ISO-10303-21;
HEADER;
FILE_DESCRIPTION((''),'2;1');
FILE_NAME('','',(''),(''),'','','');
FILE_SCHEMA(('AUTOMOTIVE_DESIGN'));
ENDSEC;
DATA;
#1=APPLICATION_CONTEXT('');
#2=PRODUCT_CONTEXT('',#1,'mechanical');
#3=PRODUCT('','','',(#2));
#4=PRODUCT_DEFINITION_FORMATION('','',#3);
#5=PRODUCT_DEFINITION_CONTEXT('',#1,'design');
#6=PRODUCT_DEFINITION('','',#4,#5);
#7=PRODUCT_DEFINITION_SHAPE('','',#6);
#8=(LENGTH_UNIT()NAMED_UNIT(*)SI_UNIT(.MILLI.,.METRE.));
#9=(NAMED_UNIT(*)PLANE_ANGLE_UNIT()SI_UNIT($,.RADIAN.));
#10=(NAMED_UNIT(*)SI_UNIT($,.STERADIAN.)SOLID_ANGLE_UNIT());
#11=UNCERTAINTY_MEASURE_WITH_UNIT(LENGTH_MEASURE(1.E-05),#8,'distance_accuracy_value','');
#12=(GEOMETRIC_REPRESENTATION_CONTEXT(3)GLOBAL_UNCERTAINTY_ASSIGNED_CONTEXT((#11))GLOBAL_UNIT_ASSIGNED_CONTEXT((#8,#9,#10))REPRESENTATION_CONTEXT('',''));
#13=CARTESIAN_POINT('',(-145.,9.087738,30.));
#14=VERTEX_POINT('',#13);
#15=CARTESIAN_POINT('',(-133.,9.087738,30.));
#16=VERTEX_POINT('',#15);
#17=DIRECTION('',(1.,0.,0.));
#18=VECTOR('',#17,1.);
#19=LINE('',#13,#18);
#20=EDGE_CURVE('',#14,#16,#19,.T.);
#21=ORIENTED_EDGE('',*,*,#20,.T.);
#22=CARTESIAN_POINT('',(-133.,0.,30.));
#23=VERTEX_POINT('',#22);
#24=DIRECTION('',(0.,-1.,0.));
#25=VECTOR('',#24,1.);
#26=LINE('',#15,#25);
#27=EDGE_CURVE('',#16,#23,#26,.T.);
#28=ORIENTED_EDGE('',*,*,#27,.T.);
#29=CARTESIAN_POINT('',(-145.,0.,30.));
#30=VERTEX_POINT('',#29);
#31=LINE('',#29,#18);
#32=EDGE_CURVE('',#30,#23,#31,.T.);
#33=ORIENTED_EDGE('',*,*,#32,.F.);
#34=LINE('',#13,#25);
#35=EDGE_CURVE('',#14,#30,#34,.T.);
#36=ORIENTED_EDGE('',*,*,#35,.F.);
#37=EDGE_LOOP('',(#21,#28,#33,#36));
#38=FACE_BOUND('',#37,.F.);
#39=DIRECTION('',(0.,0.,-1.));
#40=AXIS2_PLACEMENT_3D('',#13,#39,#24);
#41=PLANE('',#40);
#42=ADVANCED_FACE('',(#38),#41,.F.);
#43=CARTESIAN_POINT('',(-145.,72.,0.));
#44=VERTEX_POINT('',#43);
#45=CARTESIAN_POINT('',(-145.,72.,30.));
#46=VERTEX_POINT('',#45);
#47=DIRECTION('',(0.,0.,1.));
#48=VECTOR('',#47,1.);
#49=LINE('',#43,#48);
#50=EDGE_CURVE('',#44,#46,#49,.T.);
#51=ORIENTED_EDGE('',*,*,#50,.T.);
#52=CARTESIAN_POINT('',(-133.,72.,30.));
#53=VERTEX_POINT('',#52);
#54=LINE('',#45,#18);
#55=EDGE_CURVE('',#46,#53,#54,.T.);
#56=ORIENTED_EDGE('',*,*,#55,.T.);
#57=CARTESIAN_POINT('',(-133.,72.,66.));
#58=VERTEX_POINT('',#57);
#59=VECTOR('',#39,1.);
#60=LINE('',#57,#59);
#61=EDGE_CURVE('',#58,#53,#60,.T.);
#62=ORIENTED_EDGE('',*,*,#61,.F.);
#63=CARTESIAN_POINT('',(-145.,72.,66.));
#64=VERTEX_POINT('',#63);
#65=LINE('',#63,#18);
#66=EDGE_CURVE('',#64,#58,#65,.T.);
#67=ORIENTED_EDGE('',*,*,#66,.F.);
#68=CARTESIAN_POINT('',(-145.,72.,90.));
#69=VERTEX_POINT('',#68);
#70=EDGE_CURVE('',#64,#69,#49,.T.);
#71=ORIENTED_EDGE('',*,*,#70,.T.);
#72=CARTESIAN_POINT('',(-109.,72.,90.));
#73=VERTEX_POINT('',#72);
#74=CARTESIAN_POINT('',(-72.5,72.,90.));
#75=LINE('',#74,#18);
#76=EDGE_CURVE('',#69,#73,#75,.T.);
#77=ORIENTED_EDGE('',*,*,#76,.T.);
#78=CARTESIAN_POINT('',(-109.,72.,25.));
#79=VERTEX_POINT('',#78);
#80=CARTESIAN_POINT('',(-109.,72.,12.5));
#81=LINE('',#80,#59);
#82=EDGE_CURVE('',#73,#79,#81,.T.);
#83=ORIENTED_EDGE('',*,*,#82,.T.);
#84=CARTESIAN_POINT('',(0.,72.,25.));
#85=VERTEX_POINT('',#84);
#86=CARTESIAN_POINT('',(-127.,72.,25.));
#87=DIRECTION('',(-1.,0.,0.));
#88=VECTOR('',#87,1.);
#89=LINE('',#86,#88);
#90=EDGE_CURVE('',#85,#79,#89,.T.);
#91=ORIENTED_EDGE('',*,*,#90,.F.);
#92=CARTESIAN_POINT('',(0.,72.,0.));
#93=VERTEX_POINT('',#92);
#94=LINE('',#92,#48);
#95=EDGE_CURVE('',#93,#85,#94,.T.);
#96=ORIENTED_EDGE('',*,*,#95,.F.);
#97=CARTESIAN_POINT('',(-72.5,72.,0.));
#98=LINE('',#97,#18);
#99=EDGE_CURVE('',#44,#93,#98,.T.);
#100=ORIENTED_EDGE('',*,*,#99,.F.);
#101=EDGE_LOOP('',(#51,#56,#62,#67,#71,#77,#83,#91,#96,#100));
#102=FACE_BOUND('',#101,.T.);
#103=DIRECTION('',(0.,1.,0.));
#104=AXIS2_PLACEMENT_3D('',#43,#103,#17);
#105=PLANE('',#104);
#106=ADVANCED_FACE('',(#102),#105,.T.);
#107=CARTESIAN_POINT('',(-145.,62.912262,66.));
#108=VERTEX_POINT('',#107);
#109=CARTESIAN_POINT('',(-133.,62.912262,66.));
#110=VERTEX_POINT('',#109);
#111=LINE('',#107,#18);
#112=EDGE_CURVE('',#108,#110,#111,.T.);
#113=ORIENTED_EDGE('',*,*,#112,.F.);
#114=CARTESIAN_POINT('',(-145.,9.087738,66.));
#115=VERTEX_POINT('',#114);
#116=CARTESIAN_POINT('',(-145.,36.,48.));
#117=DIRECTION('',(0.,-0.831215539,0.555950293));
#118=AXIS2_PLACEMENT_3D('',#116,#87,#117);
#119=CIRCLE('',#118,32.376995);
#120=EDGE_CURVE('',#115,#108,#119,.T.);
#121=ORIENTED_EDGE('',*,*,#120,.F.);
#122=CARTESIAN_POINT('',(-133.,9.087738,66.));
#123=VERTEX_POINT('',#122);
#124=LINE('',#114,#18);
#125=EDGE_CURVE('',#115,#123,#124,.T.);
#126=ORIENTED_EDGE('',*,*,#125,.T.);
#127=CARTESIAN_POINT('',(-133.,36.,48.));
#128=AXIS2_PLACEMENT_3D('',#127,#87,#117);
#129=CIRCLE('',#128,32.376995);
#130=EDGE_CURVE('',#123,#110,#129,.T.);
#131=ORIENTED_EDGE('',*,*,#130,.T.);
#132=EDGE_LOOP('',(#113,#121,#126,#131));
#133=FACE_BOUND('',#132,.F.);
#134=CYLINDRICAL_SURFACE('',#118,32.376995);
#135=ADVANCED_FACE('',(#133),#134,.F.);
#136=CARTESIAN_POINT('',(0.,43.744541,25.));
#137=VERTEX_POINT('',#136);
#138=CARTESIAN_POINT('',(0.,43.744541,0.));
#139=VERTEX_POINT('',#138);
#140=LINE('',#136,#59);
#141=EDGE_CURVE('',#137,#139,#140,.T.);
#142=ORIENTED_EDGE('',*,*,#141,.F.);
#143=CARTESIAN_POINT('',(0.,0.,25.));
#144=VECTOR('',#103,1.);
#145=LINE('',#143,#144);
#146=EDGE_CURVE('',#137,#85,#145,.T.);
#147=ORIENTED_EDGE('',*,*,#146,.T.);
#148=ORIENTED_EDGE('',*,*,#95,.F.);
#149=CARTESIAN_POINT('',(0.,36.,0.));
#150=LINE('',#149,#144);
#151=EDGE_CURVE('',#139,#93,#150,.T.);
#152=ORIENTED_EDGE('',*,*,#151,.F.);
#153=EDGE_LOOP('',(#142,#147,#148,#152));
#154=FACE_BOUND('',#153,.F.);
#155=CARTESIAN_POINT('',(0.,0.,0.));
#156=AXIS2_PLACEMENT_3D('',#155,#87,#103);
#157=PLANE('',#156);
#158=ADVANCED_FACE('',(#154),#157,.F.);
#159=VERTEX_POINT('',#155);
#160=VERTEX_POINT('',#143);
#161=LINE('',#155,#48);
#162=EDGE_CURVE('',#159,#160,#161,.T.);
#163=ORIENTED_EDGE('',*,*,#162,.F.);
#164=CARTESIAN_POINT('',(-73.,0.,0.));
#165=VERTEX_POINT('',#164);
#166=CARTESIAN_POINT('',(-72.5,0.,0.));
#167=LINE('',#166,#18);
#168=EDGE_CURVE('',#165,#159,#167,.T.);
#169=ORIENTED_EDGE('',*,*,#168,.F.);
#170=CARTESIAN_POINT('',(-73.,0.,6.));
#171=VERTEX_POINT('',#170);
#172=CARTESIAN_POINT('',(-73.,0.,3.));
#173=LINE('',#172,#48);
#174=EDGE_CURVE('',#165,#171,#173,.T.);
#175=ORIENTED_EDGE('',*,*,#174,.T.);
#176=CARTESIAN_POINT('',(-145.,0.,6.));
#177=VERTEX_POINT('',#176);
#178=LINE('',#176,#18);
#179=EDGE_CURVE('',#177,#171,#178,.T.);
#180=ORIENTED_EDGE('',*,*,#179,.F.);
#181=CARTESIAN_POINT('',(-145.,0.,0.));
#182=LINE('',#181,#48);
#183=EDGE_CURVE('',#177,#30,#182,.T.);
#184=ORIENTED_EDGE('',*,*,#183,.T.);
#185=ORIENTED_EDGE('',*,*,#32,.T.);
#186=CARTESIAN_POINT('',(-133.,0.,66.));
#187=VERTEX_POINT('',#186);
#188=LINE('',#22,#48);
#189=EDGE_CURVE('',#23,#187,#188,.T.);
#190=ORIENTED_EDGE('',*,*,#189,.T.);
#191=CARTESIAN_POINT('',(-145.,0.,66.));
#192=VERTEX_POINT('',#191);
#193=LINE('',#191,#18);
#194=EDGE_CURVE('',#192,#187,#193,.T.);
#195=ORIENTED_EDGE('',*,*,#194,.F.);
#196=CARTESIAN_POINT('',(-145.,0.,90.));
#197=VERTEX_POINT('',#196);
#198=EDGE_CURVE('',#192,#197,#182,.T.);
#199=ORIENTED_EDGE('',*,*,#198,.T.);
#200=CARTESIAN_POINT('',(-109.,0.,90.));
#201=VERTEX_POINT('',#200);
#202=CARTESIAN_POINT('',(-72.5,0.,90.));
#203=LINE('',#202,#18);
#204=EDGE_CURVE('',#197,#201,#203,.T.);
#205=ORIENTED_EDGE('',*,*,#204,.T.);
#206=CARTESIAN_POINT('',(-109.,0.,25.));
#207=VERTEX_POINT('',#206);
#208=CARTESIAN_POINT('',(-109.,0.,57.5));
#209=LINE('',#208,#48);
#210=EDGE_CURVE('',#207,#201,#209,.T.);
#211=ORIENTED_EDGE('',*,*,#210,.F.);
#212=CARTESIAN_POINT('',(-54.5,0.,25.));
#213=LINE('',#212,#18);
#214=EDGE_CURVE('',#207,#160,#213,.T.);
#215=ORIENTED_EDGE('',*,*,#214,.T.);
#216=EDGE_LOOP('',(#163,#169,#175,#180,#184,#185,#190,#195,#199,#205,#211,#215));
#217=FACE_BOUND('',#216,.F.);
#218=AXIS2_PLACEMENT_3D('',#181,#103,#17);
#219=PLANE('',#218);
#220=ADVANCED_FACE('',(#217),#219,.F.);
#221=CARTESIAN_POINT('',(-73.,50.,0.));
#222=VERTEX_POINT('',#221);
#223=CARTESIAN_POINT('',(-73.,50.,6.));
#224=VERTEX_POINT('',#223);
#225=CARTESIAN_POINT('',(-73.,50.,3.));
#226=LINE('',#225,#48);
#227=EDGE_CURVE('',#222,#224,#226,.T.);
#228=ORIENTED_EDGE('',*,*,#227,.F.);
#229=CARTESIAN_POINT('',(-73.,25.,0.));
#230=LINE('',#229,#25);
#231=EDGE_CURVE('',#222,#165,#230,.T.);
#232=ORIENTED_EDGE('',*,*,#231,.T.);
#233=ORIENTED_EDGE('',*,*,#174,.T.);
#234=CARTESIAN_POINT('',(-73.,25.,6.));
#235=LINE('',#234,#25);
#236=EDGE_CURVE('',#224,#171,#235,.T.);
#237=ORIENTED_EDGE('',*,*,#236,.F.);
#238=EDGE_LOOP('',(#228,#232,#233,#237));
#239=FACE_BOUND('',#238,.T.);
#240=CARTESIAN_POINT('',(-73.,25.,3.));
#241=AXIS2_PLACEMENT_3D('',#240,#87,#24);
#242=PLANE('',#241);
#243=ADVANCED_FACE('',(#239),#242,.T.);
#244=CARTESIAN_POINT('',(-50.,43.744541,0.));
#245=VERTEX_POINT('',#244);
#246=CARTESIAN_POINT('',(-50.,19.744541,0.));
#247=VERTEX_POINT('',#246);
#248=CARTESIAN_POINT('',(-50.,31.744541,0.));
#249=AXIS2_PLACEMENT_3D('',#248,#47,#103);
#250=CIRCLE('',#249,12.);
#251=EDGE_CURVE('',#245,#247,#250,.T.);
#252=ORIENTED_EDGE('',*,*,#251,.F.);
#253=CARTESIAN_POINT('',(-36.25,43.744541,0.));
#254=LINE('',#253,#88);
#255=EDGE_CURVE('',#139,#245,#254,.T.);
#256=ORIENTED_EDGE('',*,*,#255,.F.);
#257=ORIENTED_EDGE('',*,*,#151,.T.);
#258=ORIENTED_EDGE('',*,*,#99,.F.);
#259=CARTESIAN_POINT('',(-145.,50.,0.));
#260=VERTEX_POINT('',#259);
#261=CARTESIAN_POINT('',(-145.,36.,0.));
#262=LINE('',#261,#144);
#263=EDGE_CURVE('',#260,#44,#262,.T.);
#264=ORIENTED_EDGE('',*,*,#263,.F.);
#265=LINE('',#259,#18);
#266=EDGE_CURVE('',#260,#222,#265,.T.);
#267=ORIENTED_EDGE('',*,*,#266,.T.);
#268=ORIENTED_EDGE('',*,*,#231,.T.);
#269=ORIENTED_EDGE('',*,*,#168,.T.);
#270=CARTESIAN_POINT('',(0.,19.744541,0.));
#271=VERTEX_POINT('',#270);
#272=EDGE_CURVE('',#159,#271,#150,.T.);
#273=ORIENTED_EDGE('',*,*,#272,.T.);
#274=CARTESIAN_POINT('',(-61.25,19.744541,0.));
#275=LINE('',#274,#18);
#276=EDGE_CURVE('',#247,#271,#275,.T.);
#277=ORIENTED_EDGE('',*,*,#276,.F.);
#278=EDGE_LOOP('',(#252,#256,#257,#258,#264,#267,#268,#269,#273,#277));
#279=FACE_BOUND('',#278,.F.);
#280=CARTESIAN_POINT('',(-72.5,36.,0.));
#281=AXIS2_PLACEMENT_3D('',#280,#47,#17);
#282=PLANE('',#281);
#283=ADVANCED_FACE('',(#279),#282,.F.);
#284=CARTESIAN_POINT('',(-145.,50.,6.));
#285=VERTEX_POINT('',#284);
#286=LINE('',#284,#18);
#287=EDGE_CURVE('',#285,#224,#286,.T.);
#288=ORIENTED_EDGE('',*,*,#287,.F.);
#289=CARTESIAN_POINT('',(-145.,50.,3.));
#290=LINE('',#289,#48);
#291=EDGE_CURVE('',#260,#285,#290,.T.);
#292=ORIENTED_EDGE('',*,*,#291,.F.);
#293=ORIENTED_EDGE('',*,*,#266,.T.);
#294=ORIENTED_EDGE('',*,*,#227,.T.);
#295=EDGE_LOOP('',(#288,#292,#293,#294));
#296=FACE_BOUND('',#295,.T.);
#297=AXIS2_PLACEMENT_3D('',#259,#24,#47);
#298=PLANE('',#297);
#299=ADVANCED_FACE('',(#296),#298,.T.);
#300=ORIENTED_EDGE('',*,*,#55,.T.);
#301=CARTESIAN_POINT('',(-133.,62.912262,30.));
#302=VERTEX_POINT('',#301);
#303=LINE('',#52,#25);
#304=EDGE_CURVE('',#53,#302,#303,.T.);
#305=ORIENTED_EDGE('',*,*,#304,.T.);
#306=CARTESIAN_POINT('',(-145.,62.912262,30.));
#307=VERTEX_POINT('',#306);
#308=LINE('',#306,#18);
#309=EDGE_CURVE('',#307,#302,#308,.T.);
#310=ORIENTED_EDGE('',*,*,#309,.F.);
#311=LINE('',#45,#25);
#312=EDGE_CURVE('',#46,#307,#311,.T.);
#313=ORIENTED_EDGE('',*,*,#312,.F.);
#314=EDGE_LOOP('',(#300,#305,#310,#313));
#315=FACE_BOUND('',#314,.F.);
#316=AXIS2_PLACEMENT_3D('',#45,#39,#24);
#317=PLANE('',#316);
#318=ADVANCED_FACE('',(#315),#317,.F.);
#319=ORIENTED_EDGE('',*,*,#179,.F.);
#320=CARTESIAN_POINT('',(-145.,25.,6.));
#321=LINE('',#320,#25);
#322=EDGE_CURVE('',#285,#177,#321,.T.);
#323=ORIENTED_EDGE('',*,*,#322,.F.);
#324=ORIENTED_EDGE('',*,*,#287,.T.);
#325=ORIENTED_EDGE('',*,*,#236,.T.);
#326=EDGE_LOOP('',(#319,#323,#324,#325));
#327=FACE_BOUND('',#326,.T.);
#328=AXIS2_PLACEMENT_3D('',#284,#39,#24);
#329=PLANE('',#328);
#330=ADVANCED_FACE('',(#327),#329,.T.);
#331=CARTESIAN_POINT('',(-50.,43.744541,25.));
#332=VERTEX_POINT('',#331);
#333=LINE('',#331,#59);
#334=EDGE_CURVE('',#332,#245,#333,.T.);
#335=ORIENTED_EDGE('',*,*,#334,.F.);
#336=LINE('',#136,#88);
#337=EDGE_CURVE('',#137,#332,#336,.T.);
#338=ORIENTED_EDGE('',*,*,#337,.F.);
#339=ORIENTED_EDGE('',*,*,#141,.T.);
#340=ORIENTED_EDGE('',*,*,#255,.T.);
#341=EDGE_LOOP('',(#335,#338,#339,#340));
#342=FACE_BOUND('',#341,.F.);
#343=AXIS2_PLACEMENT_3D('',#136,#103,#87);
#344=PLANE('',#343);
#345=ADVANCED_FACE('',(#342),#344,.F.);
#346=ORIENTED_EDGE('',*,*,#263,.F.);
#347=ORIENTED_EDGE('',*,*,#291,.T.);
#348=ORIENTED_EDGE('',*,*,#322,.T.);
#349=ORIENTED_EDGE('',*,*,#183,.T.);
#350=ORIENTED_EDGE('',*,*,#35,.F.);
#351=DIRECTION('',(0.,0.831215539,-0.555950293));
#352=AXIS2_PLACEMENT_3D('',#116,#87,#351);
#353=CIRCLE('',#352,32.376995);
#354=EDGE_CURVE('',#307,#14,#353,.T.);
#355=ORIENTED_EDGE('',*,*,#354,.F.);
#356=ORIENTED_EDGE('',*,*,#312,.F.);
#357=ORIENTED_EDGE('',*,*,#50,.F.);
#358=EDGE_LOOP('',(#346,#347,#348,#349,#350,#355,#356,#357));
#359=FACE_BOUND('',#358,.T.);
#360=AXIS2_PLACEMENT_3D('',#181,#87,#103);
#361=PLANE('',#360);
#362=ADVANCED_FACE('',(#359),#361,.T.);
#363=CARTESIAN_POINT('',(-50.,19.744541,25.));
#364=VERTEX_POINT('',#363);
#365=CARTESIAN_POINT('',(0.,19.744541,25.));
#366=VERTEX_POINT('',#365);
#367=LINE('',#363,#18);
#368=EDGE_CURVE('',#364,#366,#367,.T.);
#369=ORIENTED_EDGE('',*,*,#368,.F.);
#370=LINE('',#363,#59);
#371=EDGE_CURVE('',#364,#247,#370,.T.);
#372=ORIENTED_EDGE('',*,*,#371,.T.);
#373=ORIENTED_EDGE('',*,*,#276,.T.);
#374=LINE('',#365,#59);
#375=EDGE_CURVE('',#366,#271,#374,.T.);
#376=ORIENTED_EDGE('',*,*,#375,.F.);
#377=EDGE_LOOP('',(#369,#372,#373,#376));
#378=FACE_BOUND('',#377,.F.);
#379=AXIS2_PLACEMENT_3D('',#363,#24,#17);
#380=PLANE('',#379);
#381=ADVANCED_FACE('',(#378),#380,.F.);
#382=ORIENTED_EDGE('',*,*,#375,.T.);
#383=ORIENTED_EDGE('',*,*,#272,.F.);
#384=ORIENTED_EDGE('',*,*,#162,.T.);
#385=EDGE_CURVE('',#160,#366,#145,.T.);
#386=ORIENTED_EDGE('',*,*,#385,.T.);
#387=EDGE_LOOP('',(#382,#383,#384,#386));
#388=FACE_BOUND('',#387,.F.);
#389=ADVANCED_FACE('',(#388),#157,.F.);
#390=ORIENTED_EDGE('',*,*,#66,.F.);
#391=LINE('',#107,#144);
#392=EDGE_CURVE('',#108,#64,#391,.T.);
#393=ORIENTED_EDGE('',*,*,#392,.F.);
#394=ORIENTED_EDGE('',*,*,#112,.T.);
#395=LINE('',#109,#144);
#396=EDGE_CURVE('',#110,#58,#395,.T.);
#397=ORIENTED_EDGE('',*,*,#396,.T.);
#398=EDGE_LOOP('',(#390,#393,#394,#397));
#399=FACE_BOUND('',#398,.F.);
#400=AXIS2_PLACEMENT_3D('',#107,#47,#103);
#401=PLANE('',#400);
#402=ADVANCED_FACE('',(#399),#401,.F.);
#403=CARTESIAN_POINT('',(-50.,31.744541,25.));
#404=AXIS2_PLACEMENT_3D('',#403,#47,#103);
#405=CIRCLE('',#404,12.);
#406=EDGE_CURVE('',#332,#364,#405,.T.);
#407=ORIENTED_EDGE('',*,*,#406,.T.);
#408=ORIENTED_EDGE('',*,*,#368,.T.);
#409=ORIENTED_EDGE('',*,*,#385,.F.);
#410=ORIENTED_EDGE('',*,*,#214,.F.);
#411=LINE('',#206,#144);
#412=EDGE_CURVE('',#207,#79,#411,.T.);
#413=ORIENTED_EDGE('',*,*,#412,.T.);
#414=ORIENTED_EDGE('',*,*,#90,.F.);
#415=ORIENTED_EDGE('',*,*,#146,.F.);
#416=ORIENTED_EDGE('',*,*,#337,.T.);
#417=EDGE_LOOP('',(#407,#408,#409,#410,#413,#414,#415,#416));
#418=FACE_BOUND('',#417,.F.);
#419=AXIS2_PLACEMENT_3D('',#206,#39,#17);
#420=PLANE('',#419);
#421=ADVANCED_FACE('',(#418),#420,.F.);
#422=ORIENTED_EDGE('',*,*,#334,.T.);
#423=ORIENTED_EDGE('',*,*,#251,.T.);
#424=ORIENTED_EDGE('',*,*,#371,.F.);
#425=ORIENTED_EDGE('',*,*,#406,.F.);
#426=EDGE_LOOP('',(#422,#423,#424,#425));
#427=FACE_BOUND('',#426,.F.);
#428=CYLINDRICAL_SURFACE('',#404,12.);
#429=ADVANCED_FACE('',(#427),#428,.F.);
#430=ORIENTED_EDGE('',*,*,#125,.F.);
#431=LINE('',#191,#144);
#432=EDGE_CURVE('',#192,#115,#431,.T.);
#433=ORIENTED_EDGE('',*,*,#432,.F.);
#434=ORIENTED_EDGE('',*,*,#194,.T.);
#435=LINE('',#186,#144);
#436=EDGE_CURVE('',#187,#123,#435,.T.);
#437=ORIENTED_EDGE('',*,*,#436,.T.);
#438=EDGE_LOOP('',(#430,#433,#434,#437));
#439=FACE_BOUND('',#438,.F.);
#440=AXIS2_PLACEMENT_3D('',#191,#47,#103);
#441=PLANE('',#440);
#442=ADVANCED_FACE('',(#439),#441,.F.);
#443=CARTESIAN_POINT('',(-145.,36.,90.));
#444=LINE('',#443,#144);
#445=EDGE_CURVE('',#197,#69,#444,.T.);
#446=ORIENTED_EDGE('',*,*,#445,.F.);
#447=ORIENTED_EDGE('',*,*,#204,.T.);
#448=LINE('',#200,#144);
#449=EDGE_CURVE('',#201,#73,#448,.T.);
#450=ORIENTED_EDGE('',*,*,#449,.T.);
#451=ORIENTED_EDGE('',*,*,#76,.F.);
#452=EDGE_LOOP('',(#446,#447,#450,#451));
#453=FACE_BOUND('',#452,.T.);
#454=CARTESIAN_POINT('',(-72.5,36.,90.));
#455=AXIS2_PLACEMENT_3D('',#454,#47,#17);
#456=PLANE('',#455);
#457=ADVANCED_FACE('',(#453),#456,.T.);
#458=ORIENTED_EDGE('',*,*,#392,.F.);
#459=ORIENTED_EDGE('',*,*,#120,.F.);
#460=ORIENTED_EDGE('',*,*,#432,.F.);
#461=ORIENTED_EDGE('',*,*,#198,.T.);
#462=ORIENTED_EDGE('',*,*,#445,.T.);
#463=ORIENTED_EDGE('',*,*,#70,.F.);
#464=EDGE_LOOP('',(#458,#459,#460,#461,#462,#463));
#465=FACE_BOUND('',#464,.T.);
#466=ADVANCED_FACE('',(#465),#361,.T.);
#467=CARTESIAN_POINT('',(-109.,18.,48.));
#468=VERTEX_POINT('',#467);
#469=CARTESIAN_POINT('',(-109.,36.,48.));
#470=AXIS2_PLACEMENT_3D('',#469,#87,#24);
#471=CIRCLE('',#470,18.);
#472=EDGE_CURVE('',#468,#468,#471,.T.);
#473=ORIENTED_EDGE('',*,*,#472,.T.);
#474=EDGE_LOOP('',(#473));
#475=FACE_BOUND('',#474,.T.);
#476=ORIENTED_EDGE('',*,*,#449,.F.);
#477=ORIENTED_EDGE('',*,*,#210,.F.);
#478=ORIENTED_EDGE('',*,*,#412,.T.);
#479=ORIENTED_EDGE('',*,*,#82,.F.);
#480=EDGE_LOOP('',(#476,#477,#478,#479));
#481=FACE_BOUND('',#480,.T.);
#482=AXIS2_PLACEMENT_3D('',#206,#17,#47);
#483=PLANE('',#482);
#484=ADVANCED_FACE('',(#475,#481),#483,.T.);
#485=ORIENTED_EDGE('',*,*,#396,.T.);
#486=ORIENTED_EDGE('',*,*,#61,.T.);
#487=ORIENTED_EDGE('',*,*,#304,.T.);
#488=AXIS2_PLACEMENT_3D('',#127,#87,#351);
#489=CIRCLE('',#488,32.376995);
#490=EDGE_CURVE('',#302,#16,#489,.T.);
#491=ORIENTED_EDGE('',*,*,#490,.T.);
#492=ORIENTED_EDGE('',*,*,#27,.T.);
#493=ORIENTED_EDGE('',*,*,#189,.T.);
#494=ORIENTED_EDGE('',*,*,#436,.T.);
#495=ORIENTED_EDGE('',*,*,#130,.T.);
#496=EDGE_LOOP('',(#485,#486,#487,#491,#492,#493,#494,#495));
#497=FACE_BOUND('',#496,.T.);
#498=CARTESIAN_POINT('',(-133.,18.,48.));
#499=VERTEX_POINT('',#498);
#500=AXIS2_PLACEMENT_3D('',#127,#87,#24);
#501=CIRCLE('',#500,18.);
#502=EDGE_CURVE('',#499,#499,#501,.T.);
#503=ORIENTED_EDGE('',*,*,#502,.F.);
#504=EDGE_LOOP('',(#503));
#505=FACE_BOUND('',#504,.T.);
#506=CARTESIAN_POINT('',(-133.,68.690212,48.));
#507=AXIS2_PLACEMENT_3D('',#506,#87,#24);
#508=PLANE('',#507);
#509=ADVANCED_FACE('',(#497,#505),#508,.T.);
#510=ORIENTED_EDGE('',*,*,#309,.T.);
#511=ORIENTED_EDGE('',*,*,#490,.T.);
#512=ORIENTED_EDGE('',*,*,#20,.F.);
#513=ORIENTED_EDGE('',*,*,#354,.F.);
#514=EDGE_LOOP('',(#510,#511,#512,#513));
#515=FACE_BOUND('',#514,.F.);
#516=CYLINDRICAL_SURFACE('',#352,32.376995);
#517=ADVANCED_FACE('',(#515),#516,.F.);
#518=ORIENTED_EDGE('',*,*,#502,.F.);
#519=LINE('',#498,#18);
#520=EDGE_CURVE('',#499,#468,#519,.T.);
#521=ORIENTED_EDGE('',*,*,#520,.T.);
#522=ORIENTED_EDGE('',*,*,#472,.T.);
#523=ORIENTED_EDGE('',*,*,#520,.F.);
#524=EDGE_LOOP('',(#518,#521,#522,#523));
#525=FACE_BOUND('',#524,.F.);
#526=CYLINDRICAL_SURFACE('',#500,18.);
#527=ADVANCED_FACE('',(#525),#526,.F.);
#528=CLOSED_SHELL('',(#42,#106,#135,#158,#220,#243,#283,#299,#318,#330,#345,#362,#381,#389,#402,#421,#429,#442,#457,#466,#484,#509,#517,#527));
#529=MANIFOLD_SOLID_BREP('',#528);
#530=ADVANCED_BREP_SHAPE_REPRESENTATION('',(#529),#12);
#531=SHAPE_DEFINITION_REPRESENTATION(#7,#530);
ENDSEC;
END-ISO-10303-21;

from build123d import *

# Parameters (mm, degrees)
F0_W      = 145
F0_H      = 72
F1_DEPTH  = 90
F2_W      = 109
F2_H      = 65
F3_DEPTH  = 90
F5_DEPTH  = 25.4
F6_W      = 50
F6_H      = 6
F7_DEPTH  = 72
F9_DEPTH  = 12
F10_R     = 18
F11_DEPTH = 24


with BuildPart() as f1:
    # F0 (on Top) → F1 (new body)
    with BuildSketch(Plane.XY):
        with Locations((-72.5, 36)):
            Rectangle(F0_W, F0_H)
    extrude(amount=F1_DEPTH)

    # F2 (on face) → F3 (cut)
    with BuildSketch(Plane.XZ):
        with Locations((-54.5, 57.5)):
            Rectangle(F2_W, F2_H)
    extrude(amount=-F3_DEPTH, mode=Mode.SUBTRACT)

    # F4 (on face) → F5 (cut)
    with BuildSketch(Plane.XY.offset(25)):
        with BuildLine():
            Line((-50, 19.744541496), (0, 19.744541496))
            Line((0, 19.744541496), (0, 43.744541496))
            Line((0, 43.744541496), (-50, 43.744541496))
            ThreePointArc((-50, 43.744541496), (-62, 31.744541496), (-50, 19.744541496))
        make_face()
    extrude(amount=-F5_DEPTH, mode=Mode.SUBTRACT)

    # F6 (on face) → F7 (cut)
    with BuildSketch(Plane(origin=(-145, 0, 0), x_dir=(0, -1, 0), z_dir=(-1, 0, 0))):
        with Locations((-25, 3)):
            Rectangle(F6_W, F6_H)
    extrude(amount=-F7_DEPTH, mode=Mode.SUBTRACT)

    # F8 (on face) → F9 (cut)
    with BuildSketch(Plane(origin=(-145, 0, 0), x_dir=(0, -1, 0), z_dir=(-1, 0, 0))):
        with BuildLine():
            ThreePointArc((-62.9122615735, 30), (-68.3769952744, 48), (-62.9122615735, 66))
            Line((-62.9122615735, 66), (-72, 66))
            Line((-72, 66), (-72, 30))
            Line((-72, 30), (-62.9122615735, 30))
        make_face()
        with BuildLine():
            Line((-62.9122615735, 66), (-9.0877384265, 66))
            ThreePointArc((-9.0877384265, 66), (-36, 80.3769952744), (-62.9122615735, 66))
        make_face()
        with BuildLine():
            ThreePointArc((-9.0877384265, 66), (-5.0192964187, 57.4056274966), (-3.6230047256, 48))
            ThreePointArc((-3.6230047256, 48), (-5.0192964187, 38.5943725034), (-9.0877384265, 30))
            Line((-9.0877384265, 30), (0, 30))
            Line((0, 30), (0, 66))
            Line((0, 66), (-9.0877384265, 66))
        make_face()
        with BuildLine():
            ThreePointArc((-62.9122615735, 30), (-36, 15.6230047256), (-9.0877384265, 30))
            Line((-9.0877384265, 30), (-62.9122615735, 30))
        make_face()
        with BuildLine():
            ThreePointArc((-9.0877384265, 30), (-5.0192964187, 38.5943725034), (-3.6230047256, 48))
            ThreePointArc((-3.6230047256, 48), (-5.0192964187, 57.4056274966), (-9.0877384265, 66))
            Line((-9.0877384265, 66), (-62.9122615735, 66))
            ThreePointArc((-62.9122615735, 66), (-68.3769952744, 48), (-62.9122615735, 30))
            Line((-62.9122615735, 30), (-9.0877384265, 30))
        make_face()
    extrude(amount=-F9_DEPTH, mode=Mode.SUBTRACT)

    # F10 (on face) → F11 (cut, through all)
    with BuildSketch(Plane(origin=(-133, 0, 0), x_dir=(0, -1, 0), z_dir=(-1, 0, 0))):
        with Locations((-36, 48)):
            Circle(F10_R)
    extrude(amount=-F11_DEPTH, mode=Mode.SUBTRACT)


solid = f1.part
